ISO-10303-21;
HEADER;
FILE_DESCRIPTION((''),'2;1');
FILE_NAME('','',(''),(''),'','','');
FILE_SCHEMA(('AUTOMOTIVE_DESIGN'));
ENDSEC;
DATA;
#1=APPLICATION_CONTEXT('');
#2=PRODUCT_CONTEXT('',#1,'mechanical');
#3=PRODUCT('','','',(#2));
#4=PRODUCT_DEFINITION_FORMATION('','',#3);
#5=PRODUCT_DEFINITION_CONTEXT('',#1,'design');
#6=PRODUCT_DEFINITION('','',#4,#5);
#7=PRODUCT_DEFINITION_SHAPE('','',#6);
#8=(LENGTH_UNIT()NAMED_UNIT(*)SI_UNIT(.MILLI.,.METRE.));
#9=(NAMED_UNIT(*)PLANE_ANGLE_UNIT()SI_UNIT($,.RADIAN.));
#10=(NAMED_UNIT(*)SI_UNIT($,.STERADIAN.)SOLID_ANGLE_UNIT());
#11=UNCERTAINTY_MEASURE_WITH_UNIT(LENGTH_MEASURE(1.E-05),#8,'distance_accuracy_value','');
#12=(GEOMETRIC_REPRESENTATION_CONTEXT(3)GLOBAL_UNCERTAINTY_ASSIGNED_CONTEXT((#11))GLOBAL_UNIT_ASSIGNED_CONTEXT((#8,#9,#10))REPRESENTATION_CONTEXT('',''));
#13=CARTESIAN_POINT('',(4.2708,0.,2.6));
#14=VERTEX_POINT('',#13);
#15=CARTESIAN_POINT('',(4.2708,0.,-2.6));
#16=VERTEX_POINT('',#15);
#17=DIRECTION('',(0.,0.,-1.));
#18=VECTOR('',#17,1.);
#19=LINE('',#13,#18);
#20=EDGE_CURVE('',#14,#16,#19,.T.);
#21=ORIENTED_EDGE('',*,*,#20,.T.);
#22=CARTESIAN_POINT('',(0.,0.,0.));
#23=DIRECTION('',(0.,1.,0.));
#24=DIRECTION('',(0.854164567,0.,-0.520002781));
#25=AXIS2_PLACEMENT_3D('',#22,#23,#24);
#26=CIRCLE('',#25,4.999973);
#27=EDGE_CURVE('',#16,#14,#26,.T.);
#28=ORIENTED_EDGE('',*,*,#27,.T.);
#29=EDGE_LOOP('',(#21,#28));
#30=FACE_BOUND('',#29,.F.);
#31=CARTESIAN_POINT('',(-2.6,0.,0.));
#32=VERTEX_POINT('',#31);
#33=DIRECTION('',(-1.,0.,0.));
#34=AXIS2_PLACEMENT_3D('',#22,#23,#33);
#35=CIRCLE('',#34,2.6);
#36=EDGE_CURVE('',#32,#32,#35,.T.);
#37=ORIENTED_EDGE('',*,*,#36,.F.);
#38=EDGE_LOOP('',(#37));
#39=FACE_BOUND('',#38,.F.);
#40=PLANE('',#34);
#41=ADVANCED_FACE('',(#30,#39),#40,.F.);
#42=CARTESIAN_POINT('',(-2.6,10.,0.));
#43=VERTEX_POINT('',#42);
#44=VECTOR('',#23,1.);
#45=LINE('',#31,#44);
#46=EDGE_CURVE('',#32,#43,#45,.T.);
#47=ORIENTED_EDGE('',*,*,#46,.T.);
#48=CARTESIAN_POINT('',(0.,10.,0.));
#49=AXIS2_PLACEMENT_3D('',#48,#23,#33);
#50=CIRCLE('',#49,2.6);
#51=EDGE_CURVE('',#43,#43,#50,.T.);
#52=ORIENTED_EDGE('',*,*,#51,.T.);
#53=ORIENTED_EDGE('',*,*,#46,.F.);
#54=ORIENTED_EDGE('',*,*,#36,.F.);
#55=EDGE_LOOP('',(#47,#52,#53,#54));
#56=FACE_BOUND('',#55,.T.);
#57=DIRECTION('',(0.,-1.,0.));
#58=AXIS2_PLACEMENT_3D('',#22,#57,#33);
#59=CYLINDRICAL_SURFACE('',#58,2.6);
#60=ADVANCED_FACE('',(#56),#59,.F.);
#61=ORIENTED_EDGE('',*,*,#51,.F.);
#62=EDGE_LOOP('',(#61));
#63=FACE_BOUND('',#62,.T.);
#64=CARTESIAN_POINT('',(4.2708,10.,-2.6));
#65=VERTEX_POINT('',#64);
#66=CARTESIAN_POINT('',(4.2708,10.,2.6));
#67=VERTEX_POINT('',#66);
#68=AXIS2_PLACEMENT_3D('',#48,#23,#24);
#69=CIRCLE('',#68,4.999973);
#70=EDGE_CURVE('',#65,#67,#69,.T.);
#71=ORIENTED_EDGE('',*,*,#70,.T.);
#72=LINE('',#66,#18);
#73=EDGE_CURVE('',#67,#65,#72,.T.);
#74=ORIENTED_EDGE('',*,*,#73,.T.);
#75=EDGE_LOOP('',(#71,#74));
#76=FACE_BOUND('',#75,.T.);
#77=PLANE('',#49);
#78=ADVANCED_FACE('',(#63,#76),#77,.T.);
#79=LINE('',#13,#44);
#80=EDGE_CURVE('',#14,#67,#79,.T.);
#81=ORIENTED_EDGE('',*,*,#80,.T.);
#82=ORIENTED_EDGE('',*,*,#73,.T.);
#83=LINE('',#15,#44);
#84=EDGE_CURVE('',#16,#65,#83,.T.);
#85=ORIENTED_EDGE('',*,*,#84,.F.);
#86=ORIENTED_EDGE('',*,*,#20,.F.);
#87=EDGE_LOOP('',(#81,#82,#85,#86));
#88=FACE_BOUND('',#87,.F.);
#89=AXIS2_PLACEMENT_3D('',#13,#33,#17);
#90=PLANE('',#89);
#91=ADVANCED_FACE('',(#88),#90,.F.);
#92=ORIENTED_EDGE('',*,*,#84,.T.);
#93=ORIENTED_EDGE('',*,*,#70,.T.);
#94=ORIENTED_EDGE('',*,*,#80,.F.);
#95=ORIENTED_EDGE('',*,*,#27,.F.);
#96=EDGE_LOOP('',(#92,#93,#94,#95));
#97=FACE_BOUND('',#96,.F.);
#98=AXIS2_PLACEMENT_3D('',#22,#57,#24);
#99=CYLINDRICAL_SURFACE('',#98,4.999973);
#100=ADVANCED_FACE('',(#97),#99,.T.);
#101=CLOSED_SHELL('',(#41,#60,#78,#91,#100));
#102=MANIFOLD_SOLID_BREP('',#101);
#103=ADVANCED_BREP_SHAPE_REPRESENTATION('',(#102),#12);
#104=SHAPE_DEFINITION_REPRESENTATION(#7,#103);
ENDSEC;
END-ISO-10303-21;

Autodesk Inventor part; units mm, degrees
ref_plane "YZ Plane" through (0, 0, 0) normal (1, 0, 0) x (0, 1, 0)
ref_plane "XZ Plane" through (0, 0, 0) normal (0, 1, 0) x (-1, 0, 0)
ref_plane "XY Plane" through (0, 0, 0) normal (0, 0, 1) x (1, 0, 0)
sketch "Sketch1" plane through (0, 0, 0) normal (0, 1, 0) x (-1, 0, 0)
  circle A0 centre (0, 0) radius 2.6
  arc A1 (-4.2708, -2.6) -> (-4.2708, 2.6) centre (0, 0) ccw
  line L0 (-4.2708, 2.6) -> (-4.2708, -2.6)
  dimension "d0" = 5.2
  dimension "d1" = 10
extrude "Extrusion1" add sketch "Sketch1" along normal blind 10
properties part number "upperShockSpacer10mm"
